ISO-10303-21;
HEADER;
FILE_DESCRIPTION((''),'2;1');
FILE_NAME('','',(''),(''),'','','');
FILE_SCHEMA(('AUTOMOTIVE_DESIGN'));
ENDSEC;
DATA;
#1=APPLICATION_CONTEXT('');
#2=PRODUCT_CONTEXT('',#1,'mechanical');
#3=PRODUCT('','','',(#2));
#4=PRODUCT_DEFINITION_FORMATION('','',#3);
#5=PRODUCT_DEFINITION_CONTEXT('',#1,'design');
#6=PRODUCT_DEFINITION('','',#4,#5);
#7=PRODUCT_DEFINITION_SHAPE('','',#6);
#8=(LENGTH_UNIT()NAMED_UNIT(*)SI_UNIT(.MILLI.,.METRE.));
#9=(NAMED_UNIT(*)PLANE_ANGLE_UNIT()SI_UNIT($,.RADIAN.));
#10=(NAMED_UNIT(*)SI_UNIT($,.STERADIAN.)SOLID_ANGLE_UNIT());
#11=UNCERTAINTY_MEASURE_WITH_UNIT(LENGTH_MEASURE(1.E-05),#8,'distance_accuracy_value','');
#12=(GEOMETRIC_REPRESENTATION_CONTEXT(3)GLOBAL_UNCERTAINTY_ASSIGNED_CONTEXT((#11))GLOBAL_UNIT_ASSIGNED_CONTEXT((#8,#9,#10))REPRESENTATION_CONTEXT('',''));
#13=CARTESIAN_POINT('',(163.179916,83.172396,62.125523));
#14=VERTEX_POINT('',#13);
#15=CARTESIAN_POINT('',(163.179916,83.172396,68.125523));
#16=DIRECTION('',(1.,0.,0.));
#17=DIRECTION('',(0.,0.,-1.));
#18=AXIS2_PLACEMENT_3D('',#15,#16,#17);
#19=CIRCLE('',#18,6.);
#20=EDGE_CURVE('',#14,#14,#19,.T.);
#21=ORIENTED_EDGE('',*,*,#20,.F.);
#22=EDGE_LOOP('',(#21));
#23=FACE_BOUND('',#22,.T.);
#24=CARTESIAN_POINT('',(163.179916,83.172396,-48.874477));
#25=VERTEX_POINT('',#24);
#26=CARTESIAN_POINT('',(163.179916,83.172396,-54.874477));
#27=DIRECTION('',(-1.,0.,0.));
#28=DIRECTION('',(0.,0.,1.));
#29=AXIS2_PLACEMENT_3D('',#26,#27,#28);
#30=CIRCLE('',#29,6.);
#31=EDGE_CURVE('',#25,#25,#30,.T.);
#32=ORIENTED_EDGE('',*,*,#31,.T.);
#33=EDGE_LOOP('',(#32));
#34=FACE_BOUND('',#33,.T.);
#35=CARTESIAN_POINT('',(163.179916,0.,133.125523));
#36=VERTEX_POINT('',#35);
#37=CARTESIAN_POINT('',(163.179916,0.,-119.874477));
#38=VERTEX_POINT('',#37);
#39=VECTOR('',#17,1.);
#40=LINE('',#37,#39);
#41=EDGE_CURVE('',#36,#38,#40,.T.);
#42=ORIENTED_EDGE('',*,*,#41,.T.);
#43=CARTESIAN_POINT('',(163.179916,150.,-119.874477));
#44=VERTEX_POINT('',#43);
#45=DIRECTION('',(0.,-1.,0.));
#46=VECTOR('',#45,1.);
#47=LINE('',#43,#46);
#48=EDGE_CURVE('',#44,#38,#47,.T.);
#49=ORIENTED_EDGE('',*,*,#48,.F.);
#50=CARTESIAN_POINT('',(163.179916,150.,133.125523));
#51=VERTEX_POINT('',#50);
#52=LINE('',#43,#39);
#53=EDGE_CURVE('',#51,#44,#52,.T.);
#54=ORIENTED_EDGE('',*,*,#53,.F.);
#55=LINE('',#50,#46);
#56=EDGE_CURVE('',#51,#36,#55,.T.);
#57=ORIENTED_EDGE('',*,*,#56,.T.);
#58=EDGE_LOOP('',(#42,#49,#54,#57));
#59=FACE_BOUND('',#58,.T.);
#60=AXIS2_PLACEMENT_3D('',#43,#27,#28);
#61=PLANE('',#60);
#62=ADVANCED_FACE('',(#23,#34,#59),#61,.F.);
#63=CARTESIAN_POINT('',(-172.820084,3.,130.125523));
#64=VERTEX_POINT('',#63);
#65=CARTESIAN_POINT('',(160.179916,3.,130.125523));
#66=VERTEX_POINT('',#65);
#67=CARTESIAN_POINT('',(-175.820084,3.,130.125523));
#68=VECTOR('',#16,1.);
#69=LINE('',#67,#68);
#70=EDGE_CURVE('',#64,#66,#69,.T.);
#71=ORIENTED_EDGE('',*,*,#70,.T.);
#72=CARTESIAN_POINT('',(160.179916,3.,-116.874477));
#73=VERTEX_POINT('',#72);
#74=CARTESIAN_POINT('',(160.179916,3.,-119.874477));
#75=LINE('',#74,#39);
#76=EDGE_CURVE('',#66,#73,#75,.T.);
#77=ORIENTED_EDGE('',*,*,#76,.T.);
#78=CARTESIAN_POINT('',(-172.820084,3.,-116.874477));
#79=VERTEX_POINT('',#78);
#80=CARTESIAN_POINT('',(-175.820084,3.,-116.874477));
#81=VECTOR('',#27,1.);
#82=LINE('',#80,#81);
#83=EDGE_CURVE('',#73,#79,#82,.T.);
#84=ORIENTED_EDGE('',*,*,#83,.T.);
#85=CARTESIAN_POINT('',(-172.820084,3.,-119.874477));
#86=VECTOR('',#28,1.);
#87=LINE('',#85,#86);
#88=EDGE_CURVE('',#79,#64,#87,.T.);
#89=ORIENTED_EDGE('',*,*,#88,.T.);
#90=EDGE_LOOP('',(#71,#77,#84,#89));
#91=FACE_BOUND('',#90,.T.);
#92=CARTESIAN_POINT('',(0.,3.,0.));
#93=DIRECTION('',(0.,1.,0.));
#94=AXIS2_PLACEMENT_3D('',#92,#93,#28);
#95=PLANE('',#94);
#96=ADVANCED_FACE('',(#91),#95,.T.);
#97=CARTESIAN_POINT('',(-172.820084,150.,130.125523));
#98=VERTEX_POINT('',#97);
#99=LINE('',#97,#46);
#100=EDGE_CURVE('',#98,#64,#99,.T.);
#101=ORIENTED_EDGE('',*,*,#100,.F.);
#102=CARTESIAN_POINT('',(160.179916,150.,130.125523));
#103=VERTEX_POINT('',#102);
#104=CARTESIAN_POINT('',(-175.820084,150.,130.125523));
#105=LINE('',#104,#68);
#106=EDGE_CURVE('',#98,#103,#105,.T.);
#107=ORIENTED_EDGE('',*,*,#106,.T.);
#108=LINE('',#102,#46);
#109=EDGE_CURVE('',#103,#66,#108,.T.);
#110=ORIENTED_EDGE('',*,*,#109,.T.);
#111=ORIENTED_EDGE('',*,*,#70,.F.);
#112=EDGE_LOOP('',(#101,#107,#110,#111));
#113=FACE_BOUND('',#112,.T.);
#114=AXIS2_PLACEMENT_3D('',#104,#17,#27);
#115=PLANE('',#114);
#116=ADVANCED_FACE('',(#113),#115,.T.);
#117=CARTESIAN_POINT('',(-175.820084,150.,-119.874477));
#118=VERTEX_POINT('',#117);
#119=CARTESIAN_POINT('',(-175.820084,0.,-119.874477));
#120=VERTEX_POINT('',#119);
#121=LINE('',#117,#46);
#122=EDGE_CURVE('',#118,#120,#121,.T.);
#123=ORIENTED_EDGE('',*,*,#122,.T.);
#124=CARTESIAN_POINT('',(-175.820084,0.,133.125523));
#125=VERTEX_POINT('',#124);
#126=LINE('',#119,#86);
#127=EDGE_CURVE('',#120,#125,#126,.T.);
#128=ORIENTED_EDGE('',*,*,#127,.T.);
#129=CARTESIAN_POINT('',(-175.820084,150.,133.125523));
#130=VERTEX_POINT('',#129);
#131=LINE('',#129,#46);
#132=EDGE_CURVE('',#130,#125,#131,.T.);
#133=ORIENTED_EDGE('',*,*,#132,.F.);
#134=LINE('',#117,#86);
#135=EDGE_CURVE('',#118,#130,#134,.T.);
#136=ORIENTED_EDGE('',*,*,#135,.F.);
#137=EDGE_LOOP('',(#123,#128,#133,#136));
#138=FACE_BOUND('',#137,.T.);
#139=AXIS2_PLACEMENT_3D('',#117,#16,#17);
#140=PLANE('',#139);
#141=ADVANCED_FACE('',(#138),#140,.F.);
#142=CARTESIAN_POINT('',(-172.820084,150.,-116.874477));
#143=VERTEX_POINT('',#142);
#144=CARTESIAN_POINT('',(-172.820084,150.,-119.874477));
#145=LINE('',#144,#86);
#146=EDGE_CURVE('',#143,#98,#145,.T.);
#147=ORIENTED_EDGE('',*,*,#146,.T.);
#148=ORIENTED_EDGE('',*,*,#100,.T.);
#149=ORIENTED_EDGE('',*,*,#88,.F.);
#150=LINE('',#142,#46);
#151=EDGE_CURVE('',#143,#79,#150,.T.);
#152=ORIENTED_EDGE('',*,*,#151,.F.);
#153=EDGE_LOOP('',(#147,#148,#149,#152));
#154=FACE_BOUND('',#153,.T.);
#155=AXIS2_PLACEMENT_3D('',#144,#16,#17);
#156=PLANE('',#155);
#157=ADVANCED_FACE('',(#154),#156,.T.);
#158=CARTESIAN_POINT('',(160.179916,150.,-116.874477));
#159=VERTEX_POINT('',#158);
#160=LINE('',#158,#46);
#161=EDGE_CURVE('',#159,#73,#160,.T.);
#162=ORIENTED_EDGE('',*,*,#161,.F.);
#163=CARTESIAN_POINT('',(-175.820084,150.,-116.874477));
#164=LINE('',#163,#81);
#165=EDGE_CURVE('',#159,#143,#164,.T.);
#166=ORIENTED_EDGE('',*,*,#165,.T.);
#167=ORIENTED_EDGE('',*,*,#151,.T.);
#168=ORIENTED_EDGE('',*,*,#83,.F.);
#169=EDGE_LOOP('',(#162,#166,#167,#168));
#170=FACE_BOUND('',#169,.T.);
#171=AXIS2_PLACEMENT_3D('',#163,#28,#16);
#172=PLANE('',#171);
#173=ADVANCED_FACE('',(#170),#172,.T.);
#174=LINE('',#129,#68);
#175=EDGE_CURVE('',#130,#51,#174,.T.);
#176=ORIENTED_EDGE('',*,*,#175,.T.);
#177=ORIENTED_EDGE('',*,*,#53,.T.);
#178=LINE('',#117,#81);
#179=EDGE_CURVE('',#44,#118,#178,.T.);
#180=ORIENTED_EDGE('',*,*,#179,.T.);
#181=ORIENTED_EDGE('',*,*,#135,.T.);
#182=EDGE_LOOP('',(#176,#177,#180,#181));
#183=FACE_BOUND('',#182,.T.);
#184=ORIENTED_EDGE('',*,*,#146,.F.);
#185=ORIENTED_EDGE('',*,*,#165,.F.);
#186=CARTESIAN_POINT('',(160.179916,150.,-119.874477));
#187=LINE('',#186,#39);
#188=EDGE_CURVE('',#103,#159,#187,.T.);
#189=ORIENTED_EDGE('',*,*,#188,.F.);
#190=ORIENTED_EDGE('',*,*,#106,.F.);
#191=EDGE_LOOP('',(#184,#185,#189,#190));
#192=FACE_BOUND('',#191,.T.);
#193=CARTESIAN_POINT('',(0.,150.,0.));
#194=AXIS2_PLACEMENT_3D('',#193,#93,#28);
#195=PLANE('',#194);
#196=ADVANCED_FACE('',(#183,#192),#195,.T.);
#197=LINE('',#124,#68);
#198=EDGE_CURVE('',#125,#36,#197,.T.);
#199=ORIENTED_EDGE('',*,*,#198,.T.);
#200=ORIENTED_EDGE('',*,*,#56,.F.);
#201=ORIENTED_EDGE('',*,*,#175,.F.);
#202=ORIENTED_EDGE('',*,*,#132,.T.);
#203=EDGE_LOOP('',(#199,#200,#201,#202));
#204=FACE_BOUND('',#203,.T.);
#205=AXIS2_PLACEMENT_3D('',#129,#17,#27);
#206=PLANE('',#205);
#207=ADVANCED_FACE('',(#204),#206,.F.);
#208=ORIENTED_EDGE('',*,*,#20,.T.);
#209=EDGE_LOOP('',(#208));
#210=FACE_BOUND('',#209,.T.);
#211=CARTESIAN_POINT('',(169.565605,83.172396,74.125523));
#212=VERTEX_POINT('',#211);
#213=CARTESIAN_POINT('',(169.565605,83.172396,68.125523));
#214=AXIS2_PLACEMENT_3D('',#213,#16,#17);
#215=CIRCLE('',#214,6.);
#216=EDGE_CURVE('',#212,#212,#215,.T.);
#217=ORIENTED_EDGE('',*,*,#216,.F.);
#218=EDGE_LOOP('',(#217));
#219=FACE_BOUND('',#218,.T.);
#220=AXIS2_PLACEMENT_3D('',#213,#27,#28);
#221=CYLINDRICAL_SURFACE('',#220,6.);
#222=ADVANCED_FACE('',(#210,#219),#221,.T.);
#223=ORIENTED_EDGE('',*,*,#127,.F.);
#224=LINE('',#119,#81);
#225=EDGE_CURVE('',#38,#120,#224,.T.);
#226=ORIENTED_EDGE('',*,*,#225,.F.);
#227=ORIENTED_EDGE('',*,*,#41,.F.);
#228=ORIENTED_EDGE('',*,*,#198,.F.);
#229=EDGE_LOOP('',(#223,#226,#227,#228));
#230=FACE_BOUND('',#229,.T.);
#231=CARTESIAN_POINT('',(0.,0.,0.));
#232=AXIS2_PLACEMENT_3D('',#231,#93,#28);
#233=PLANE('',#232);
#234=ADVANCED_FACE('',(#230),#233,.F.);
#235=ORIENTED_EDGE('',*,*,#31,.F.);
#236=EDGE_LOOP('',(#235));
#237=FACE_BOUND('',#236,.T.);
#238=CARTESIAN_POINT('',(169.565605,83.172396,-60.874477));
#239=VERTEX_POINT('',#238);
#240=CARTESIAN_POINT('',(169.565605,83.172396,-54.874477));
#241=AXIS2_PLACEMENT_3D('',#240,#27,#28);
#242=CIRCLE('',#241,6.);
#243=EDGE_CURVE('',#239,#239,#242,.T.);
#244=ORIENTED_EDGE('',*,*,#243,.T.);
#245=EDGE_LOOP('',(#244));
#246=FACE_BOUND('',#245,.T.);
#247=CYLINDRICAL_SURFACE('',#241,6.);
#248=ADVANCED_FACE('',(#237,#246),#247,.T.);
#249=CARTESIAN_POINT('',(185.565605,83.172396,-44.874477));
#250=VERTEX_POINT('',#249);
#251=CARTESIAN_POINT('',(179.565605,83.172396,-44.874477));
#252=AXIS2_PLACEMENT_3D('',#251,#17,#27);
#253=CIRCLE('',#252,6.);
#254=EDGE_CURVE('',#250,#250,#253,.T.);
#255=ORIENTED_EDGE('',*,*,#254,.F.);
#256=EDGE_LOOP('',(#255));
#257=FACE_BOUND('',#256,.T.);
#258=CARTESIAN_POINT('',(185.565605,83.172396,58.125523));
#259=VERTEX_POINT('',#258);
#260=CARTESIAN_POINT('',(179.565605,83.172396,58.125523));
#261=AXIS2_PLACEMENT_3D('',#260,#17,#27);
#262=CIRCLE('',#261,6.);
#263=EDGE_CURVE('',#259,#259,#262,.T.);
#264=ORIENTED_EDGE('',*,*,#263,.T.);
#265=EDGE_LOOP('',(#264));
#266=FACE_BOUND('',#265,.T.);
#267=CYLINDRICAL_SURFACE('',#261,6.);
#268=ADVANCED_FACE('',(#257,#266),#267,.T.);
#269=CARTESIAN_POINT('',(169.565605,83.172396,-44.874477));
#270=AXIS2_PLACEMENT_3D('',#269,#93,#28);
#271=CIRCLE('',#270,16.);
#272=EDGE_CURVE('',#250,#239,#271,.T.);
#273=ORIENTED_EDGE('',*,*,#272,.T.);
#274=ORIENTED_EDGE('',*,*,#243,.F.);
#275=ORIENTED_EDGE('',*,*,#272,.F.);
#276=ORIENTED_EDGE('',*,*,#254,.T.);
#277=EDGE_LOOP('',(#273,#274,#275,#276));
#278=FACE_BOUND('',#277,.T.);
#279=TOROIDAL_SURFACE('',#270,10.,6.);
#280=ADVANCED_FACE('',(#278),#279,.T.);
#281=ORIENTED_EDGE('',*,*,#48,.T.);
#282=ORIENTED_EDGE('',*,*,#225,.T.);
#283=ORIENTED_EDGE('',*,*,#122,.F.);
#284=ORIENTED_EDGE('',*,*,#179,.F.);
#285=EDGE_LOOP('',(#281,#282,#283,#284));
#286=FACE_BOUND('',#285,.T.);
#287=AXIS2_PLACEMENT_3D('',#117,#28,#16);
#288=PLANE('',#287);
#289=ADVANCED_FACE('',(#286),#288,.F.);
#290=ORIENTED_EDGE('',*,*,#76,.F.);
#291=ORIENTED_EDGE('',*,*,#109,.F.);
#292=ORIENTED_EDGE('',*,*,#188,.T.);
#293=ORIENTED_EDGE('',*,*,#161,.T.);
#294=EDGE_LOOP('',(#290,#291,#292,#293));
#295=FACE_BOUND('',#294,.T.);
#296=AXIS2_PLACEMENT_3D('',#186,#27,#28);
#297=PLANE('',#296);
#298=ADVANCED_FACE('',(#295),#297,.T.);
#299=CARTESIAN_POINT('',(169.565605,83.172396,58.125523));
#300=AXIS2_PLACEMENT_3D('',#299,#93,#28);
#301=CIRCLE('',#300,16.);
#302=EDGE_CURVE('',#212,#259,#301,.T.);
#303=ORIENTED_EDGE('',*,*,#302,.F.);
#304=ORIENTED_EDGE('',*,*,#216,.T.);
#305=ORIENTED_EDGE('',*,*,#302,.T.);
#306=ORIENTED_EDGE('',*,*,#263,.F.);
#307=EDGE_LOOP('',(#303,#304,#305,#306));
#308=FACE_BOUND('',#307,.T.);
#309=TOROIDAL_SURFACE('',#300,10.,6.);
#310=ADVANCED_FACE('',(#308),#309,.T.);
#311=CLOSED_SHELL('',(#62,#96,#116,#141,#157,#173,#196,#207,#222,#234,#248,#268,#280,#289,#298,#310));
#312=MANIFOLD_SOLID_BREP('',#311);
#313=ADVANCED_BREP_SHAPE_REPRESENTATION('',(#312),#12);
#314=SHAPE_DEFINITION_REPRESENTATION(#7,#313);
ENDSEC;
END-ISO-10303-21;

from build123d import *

# Parameters (mm, degrees)
SKETCH1_W           = 339
SKETCH1_H           = 253
BOSS_EXTRUDE1_DEPTH = 150
SHELL1_T            = -3
SKETCH2_R           = 6


with BuildPart() as part:
    # Sketch1 → Boss-Extrude1 (new body)
    with BuildSketch(Plane(origin=(0, 0, 0), x_dir=(1, 0, 0), z_dir=(0, 1, 0))):
        with Locations((-6.320083682, -6.625523013)):
            Rectangle(SKETCH1_W, SKETCH1_H)
    extrude(amount=BOSS_EXTRUDE1_DEPTH)

    # Shell1
    shell1_openings = [part.faces().sort_by_distance(p)[0] for p in [
        (-6.320083682, 150, 6.625523013),
    ]]
    offset(amount=SHELL1_T, openings=shell1_openings, kind=Kind.INTERSECTION)

    # Sweep2: sweep along a path in Sketch4
    with BuildLine(Plane(origin=(0, 83.172395684, 0), x_dir=(1, 0, 0), z_dir=(0, 1, 0))) as sweep2_path:
        Line((163.179916318, -68.125523013), (169.565605174, -68.125523013))
        ThreePointArc((169.565605174, -68.125523013), (176.636672985, -65.196590824), (179.565605174, -58.125523013))
        Line((179.565605174, -58.125523013), (179.565605174, 44.874476987))
        ThreePointArc((179.565605174, 44.874476987), (176.636672985, 51.945544799), (169.565605174, 54.874476987))
        Line((169.565605174, 54.874476987), (163.179916318, 54.874476987))
    # Sketch2 → Sweep2 (sweep)
    with BuildSketch(Plane(origin=(163.179916318, 0, 0), x_dir=(0, 0, -1), z_dir=(1, 0, 0))):
        with Locations((-68.125523013, 83.172395684)):
            Circle(SKETCH2_R)
    sweep(path=sweep2_path.line)


solid = part.part
